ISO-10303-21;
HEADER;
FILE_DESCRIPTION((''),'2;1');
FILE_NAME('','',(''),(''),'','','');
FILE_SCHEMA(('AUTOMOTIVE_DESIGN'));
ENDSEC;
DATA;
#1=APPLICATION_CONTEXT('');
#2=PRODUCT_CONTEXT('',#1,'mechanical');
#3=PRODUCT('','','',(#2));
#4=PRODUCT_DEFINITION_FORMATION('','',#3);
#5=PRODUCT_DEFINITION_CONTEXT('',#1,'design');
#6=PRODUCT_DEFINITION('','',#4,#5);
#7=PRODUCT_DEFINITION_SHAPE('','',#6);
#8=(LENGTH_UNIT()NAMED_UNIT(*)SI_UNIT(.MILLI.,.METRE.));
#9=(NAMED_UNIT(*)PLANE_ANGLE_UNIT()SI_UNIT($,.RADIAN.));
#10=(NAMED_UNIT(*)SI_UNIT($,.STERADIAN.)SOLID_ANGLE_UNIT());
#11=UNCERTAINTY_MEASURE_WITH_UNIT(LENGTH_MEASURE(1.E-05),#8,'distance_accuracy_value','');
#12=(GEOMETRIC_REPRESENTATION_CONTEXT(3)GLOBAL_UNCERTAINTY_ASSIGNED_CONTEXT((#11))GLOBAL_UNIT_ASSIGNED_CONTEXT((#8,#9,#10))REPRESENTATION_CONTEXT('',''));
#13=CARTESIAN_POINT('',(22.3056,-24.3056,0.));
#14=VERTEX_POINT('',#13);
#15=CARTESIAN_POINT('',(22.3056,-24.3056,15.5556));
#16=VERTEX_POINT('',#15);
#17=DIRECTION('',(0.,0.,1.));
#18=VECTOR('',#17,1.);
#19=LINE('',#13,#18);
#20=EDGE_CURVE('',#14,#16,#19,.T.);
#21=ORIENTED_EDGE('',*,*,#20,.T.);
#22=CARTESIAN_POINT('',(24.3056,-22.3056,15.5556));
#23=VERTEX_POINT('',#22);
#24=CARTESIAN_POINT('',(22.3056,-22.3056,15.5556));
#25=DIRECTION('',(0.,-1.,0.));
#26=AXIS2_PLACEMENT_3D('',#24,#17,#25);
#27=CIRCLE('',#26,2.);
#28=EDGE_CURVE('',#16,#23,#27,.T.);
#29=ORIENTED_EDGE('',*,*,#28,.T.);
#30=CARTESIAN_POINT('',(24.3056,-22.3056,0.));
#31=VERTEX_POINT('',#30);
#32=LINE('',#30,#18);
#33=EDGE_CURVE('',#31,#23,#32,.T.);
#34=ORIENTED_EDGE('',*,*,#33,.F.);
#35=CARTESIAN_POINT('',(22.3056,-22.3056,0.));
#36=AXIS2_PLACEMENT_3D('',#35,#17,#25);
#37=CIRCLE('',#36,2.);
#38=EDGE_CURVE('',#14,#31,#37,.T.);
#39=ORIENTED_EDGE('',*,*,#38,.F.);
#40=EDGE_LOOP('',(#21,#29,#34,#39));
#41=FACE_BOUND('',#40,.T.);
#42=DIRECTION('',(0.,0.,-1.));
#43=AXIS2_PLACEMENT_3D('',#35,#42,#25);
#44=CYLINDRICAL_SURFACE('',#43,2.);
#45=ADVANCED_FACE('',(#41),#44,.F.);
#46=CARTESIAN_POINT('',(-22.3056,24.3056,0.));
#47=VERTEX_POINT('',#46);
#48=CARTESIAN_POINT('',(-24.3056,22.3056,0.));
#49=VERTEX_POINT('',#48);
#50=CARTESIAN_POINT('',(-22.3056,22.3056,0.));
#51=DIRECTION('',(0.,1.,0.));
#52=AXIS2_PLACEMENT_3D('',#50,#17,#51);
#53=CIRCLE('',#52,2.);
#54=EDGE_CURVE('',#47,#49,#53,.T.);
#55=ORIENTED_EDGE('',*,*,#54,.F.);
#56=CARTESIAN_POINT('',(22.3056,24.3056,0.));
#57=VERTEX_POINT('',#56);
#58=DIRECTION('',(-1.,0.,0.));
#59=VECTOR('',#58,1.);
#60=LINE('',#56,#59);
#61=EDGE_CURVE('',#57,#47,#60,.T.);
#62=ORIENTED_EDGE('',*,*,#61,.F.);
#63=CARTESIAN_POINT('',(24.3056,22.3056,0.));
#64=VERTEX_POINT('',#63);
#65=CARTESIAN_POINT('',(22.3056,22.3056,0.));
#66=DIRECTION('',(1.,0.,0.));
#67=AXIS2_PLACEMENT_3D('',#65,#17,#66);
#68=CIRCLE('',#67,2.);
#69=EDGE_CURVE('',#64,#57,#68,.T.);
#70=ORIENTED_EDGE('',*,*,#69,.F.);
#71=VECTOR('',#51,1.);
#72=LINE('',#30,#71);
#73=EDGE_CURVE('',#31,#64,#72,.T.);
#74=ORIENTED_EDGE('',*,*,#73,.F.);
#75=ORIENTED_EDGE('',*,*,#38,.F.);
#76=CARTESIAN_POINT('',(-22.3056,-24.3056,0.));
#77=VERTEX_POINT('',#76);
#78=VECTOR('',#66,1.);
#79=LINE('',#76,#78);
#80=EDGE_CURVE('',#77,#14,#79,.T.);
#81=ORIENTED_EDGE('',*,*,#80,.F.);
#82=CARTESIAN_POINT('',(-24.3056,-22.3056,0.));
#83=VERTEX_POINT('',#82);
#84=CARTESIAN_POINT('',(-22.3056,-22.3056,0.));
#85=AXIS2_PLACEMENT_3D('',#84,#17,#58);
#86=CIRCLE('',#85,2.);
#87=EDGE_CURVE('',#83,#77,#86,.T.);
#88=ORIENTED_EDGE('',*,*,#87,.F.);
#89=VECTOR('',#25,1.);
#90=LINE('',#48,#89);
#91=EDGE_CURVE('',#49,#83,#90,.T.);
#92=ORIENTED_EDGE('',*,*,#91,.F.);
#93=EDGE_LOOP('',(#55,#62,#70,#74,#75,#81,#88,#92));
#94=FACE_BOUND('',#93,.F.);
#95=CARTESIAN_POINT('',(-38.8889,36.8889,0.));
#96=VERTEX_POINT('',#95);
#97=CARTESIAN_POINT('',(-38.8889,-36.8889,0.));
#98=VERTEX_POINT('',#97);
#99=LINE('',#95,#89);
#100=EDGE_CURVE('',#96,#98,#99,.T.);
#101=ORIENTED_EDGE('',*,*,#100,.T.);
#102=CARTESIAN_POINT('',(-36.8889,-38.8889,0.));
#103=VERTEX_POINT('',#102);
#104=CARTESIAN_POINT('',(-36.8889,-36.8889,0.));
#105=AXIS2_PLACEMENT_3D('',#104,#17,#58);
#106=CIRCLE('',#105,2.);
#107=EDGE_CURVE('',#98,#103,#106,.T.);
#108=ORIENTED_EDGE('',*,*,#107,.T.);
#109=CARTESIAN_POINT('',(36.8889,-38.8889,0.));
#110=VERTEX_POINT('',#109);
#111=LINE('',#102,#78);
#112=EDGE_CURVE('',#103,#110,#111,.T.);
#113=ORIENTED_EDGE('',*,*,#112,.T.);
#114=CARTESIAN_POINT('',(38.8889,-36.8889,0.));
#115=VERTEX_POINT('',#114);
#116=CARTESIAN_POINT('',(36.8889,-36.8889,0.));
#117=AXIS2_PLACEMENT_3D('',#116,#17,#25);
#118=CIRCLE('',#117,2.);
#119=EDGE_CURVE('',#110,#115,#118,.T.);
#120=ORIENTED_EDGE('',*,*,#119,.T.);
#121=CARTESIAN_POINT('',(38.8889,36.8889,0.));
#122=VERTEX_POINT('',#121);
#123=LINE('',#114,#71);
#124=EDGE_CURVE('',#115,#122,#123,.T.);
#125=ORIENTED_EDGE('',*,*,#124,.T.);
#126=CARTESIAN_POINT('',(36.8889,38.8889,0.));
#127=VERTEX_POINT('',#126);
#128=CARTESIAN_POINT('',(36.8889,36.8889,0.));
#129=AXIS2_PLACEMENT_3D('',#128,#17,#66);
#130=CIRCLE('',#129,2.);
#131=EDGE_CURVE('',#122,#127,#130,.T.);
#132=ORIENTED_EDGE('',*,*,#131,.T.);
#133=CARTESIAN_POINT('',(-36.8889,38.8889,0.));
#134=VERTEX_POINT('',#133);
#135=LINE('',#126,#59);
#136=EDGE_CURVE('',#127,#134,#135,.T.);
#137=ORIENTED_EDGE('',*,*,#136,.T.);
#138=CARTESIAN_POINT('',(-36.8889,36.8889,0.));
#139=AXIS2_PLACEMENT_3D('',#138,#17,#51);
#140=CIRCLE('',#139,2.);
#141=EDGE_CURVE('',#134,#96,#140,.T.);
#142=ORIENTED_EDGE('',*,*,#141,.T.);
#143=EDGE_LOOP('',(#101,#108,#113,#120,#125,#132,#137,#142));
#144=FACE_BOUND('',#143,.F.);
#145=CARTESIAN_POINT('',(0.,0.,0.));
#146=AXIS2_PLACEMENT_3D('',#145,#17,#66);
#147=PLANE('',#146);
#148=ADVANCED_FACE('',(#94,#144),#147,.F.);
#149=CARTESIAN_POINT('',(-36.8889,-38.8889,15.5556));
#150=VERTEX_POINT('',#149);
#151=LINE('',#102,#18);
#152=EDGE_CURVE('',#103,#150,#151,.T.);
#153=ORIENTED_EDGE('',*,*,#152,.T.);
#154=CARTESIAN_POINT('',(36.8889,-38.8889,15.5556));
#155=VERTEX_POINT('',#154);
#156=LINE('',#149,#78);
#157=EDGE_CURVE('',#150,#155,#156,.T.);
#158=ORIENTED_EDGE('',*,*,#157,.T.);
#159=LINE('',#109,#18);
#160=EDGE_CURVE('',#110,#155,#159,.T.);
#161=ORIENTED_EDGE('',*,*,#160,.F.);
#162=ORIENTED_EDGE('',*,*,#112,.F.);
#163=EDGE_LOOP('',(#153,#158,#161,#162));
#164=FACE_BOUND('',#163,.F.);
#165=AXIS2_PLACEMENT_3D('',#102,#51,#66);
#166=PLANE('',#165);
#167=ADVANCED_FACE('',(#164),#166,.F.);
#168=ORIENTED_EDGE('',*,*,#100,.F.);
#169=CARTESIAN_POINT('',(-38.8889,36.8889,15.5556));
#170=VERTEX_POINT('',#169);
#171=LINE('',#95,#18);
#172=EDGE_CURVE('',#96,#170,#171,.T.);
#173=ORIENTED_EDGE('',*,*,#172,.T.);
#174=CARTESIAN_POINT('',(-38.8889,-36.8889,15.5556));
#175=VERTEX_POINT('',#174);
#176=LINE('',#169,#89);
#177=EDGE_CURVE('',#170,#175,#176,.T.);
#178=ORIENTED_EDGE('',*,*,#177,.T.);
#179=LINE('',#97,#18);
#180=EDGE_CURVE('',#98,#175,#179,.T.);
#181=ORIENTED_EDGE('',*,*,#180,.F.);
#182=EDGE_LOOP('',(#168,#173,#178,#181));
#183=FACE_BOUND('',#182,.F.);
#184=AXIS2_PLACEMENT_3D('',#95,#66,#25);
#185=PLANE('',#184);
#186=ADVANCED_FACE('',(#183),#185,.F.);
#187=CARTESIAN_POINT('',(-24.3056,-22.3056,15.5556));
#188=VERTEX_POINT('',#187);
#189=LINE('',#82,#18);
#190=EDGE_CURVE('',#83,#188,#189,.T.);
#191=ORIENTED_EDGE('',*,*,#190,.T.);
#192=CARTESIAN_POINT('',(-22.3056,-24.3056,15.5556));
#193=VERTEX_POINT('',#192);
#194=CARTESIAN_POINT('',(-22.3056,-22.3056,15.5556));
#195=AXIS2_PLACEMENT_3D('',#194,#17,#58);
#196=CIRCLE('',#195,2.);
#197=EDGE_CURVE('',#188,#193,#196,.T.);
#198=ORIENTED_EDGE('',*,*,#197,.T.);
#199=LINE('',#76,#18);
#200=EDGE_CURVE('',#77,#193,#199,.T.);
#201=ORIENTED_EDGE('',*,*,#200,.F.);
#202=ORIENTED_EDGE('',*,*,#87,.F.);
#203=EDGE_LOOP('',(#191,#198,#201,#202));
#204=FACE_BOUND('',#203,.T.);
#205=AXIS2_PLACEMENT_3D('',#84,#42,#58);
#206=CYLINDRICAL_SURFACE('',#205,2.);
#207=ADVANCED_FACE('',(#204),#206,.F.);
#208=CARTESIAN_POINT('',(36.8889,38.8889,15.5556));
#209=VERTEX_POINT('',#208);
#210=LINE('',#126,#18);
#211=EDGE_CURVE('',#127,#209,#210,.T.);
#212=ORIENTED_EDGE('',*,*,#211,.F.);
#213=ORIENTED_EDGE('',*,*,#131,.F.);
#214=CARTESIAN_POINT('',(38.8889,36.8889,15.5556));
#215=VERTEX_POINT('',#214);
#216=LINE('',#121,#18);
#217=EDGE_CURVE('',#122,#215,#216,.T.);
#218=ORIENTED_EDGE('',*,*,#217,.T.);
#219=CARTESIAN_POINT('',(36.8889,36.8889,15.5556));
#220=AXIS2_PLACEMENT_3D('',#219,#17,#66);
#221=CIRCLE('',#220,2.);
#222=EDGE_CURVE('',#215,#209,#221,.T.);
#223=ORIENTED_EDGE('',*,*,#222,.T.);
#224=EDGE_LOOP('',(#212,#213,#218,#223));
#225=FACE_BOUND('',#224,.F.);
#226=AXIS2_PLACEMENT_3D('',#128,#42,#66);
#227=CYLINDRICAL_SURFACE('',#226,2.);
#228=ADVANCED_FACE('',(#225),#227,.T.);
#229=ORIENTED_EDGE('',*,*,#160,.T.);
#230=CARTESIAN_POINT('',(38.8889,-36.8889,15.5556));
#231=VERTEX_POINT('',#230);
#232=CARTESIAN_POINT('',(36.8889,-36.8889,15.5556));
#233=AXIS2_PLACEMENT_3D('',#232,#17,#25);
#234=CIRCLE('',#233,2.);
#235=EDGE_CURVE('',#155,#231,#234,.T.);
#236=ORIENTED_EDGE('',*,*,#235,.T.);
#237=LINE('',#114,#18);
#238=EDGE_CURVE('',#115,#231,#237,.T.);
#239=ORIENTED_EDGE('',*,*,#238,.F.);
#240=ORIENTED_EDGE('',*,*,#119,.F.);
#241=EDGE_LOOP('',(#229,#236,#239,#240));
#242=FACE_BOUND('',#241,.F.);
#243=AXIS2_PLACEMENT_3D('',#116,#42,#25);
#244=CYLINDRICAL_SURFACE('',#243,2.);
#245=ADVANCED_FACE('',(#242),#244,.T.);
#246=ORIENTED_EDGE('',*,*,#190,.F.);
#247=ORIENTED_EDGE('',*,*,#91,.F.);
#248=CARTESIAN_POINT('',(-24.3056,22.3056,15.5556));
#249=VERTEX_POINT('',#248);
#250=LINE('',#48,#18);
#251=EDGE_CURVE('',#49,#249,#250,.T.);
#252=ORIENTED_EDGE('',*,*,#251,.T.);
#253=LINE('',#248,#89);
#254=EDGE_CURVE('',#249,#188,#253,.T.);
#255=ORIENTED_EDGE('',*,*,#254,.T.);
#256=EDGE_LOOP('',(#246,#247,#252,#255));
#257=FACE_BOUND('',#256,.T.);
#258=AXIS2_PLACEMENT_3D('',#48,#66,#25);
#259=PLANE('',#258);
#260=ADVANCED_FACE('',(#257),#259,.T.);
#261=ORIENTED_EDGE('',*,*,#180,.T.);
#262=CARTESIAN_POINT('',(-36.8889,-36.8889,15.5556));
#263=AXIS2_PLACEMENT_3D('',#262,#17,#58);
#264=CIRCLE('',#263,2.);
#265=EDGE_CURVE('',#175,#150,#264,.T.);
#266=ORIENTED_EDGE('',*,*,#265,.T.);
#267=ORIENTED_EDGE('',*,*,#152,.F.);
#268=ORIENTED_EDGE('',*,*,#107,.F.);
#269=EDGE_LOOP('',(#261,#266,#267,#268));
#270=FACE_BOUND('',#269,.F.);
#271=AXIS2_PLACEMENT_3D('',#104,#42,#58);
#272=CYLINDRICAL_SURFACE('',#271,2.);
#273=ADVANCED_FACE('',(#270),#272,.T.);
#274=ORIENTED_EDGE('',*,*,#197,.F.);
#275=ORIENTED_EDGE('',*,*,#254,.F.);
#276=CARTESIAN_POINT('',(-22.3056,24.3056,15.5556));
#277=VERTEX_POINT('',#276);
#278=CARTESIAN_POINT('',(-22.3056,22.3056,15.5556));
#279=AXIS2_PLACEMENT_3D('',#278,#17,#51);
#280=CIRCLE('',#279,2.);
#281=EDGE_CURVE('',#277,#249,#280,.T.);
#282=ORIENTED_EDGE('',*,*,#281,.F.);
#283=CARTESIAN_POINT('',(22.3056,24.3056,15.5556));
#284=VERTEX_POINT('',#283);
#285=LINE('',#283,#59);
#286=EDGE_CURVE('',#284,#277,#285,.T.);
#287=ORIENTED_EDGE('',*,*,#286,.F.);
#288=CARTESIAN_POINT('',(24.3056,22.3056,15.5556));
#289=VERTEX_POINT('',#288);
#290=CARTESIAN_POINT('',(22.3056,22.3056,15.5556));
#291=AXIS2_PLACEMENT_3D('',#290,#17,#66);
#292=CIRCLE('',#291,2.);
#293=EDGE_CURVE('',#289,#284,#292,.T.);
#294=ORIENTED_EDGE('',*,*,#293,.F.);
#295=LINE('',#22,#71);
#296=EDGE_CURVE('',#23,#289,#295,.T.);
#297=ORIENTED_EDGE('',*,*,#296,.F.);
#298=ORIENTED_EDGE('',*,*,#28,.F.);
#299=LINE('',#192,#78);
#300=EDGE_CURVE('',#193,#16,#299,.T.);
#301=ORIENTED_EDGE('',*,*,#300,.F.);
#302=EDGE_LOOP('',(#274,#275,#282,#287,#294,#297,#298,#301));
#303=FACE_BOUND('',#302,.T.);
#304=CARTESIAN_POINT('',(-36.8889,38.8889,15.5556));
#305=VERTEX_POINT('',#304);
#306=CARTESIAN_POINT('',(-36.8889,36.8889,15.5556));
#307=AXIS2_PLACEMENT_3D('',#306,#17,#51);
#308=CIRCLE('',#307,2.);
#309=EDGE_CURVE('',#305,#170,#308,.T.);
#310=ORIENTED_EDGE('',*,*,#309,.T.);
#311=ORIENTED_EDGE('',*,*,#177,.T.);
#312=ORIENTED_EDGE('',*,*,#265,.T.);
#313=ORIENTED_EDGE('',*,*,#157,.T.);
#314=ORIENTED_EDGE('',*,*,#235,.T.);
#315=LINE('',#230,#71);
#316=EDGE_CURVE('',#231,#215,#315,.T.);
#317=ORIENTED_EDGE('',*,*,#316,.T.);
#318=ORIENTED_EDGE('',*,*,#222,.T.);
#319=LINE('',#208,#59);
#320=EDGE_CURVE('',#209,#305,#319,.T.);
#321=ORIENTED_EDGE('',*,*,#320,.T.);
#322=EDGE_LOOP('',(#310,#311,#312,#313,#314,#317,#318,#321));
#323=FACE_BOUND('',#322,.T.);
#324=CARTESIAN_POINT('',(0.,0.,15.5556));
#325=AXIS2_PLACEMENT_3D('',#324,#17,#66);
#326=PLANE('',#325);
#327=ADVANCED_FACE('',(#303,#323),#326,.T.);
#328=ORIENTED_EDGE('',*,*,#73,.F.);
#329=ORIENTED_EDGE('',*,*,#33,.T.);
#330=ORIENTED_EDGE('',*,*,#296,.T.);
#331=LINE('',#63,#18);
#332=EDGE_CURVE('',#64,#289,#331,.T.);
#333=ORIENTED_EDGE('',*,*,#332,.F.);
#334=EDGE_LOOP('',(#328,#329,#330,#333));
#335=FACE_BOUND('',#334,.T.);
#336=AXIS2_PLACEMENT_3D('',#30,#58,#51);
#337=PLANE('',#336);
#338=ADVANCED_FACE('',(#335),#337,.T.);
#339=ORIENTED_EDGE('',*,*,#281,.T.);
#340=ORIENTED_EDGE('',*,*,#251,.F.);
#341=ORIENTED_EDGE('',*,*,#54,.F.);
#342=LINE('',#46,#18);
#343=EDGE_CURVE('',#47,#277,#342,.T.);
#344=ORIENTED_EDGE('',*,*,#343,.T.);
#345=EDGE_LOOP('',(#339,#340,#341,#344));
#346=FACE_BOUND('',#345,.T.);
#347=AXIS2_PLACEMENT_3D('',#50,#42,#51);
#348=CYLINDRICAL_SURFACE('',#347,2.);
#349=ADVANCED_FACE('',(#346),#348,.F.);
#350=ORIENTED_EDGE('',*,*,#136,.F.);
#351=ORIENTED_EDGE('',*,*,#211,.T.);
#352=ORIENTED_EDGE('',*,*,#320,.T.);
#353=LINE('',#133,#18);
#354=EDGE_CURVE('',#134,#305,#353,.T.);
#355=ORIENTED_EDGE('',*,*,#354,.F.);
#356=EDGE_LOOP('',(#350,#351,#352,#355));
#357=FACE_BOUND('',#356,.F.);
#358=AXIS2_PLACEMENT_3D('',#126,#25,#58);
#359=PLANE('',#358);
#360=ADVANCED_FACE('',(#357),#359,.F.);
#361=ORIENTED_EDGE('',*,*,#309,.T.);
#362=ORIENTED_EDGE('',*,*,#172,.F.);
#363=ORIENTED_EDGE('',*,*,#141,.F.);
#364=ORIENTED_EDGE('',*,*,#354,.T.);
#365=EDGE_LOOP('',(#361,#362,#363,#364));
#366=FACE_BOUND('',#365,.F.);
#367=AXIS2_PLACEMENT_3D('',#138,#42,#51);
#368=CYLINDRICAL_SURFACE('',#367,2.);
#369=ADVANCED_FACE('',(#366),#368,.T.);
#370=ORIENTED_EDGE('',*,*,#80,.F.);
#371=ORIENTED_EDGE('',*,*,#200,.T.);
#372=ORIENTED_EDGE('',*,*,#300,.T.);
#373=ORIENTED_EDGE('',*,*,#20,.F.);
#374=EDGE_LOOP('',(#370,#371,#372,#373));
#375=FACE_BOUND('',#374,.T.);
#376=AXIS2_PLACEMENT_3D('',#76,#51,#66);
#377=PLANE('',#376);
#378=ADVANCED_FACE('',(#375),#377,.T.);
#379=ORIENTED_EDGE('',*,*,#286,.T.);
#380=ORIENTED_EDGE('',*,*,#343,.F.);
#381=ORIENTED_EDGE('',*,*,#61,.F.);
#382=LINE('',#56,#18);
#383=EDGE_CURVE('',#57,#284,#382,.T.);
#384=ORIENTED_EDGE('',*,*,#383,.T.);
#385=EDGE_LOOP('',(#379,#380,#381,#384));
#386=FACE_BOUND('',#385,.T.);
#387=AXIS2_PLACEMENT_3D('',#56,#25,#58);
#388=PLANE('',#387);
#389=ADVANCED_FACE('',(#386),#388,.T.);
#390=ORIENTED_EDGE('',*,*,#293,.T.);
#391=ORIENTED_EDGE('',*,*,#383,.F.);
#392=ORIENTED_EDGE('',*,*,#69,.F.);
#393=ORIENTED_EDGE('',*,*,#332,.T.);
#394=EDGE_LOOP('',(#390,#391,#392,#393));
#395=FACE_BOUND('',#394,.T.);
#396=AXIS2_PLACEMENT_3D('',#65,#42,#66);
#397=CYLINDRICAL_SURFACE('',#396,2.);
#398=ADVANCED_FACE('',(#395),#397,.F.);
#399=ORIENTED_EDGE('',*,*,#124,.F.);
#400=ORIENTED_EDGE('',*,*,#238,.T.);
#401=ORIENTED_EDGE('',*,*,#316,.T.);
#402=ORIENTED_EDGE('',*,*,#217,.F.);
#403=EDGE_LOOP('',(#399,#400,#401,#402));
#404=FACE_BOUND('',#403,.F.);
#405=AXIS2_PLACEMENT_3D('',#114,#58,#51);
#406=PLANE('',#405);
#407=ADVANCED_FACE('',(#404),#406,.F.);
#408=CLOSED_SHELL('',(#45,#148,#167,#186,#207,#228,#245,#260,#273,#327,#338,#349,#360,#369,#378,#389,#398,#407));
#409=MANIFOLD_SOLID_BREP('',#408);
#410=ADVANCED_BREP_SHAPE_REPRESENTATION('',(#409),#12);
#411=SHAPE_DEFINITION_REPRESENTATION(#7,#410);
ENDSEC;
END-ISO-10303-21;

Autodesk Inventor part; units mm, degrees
ref_plane "YZ Plane" through (0, 0, 0) normal (1, 0, 0) x (0, 1, 0)
ref_plane "XZ Plane" through (0, 0, 0) normal (0, 1, 0) x (-1, 0, 0)
ref_plane "XY Plane" through (0, 0, 0) normal (0, 0, 1) x (1, 0, 0)
sketch "Sketch1" plane through (0, 0, 0) normal (0, 0, 1) x (1, 0, 0)
  point P0 (0, 0)
sketch "Sketch2" plane through (0, 0, 0) normal (0, 0, 1) x (1, 0, 0)
  line L0 (-22.3056, -24.3056) -> (22.3056, -24.3056)
  line L1 (24.3056, -22.3056) -> (24.3056, 22.3056)
  line L2 (22.3056, 24.3056) -> (-22.3056, 24.3056)
  line L3 (-24.3056, 22.3056) -> (-24.3056, -22.3056)
  line L4 (-24.3056, -24.3056) -> (24.3056, 24.3056) construction
  line L5 (24.3056, -24.3056) -> (-24.3056, 24.3056) construction
  line L6 (-36.8889, -38.8889) -> (36.8889, -38.8889)
  line L7 (38.8889, -36.8889) -> (38.8889, 36.8889)
  line L8 (36.8889, 38.8889) -> (-36.8889, 38.8889)
  line L9 (-38.8889, 36.8889) -> (-38.8889, -36.8889)
  line L10 (-38.8889, -38.8889) -> (38.8889, 38.8889) construction
  line L11 (38.8889, -38.8889) -> (-38.8889, 38.8889) construction
  arc A0 (-36.8889, 38.8889) -> (-38.8889, 36.8889) centre (-36.8889, 36.8889) ccw
  arc A1 (38.8889, 36.8889) -> (36.8889, 38.8889) centre (36.8889, 36.8889) ccw
  arc A2 (36.8889, -38.8889) -> (38.8889, -36.8889) centre (36.8889, -36.8889) ccw
  arc A3 (-38.8889, -36.8889) -> (-36.8889, -38.8889) centre (-36.8889, -36.8889) ccw
  arc A4 (-24.3056, -22.3056) -> (-22.3056, -24.3056) centre (-22.3056, -22.3056) ccw
  arc A5 (22.3056, -24.3056) -> (24.3056, -22.3056) centre (22.3056, -22.3056) ccw
  arc A6 (24.3056, 22.3056) -> (22.3056, 24.3056) centre (22.3056, 22.3056) ccw
  arc A7 (-22.3056, 24.3056) -> (-24.3056, 22.3056) centre (-22.3056, 22.3056) ccw
  point P0 (0, 0)
  dimension "HL" = 48.6111
  dimension "d1" = 24.3056
  dimension "d2" = 77.7778
  dimension "d3" = 38.8889
  dimension "d4" = 2
extrude "Extrusion1" add sketch "Sketch2" along normal blind 15.5556
equation "\"d1\" = 0.5 * HL"
equation "\"d2\" = 1.6 * HL"
equation "\"d3\" = 0.8 * HL"
equation "\"d5\" = 0.32 * HL"
properties part number "Ram(Nästankvadratisk"
